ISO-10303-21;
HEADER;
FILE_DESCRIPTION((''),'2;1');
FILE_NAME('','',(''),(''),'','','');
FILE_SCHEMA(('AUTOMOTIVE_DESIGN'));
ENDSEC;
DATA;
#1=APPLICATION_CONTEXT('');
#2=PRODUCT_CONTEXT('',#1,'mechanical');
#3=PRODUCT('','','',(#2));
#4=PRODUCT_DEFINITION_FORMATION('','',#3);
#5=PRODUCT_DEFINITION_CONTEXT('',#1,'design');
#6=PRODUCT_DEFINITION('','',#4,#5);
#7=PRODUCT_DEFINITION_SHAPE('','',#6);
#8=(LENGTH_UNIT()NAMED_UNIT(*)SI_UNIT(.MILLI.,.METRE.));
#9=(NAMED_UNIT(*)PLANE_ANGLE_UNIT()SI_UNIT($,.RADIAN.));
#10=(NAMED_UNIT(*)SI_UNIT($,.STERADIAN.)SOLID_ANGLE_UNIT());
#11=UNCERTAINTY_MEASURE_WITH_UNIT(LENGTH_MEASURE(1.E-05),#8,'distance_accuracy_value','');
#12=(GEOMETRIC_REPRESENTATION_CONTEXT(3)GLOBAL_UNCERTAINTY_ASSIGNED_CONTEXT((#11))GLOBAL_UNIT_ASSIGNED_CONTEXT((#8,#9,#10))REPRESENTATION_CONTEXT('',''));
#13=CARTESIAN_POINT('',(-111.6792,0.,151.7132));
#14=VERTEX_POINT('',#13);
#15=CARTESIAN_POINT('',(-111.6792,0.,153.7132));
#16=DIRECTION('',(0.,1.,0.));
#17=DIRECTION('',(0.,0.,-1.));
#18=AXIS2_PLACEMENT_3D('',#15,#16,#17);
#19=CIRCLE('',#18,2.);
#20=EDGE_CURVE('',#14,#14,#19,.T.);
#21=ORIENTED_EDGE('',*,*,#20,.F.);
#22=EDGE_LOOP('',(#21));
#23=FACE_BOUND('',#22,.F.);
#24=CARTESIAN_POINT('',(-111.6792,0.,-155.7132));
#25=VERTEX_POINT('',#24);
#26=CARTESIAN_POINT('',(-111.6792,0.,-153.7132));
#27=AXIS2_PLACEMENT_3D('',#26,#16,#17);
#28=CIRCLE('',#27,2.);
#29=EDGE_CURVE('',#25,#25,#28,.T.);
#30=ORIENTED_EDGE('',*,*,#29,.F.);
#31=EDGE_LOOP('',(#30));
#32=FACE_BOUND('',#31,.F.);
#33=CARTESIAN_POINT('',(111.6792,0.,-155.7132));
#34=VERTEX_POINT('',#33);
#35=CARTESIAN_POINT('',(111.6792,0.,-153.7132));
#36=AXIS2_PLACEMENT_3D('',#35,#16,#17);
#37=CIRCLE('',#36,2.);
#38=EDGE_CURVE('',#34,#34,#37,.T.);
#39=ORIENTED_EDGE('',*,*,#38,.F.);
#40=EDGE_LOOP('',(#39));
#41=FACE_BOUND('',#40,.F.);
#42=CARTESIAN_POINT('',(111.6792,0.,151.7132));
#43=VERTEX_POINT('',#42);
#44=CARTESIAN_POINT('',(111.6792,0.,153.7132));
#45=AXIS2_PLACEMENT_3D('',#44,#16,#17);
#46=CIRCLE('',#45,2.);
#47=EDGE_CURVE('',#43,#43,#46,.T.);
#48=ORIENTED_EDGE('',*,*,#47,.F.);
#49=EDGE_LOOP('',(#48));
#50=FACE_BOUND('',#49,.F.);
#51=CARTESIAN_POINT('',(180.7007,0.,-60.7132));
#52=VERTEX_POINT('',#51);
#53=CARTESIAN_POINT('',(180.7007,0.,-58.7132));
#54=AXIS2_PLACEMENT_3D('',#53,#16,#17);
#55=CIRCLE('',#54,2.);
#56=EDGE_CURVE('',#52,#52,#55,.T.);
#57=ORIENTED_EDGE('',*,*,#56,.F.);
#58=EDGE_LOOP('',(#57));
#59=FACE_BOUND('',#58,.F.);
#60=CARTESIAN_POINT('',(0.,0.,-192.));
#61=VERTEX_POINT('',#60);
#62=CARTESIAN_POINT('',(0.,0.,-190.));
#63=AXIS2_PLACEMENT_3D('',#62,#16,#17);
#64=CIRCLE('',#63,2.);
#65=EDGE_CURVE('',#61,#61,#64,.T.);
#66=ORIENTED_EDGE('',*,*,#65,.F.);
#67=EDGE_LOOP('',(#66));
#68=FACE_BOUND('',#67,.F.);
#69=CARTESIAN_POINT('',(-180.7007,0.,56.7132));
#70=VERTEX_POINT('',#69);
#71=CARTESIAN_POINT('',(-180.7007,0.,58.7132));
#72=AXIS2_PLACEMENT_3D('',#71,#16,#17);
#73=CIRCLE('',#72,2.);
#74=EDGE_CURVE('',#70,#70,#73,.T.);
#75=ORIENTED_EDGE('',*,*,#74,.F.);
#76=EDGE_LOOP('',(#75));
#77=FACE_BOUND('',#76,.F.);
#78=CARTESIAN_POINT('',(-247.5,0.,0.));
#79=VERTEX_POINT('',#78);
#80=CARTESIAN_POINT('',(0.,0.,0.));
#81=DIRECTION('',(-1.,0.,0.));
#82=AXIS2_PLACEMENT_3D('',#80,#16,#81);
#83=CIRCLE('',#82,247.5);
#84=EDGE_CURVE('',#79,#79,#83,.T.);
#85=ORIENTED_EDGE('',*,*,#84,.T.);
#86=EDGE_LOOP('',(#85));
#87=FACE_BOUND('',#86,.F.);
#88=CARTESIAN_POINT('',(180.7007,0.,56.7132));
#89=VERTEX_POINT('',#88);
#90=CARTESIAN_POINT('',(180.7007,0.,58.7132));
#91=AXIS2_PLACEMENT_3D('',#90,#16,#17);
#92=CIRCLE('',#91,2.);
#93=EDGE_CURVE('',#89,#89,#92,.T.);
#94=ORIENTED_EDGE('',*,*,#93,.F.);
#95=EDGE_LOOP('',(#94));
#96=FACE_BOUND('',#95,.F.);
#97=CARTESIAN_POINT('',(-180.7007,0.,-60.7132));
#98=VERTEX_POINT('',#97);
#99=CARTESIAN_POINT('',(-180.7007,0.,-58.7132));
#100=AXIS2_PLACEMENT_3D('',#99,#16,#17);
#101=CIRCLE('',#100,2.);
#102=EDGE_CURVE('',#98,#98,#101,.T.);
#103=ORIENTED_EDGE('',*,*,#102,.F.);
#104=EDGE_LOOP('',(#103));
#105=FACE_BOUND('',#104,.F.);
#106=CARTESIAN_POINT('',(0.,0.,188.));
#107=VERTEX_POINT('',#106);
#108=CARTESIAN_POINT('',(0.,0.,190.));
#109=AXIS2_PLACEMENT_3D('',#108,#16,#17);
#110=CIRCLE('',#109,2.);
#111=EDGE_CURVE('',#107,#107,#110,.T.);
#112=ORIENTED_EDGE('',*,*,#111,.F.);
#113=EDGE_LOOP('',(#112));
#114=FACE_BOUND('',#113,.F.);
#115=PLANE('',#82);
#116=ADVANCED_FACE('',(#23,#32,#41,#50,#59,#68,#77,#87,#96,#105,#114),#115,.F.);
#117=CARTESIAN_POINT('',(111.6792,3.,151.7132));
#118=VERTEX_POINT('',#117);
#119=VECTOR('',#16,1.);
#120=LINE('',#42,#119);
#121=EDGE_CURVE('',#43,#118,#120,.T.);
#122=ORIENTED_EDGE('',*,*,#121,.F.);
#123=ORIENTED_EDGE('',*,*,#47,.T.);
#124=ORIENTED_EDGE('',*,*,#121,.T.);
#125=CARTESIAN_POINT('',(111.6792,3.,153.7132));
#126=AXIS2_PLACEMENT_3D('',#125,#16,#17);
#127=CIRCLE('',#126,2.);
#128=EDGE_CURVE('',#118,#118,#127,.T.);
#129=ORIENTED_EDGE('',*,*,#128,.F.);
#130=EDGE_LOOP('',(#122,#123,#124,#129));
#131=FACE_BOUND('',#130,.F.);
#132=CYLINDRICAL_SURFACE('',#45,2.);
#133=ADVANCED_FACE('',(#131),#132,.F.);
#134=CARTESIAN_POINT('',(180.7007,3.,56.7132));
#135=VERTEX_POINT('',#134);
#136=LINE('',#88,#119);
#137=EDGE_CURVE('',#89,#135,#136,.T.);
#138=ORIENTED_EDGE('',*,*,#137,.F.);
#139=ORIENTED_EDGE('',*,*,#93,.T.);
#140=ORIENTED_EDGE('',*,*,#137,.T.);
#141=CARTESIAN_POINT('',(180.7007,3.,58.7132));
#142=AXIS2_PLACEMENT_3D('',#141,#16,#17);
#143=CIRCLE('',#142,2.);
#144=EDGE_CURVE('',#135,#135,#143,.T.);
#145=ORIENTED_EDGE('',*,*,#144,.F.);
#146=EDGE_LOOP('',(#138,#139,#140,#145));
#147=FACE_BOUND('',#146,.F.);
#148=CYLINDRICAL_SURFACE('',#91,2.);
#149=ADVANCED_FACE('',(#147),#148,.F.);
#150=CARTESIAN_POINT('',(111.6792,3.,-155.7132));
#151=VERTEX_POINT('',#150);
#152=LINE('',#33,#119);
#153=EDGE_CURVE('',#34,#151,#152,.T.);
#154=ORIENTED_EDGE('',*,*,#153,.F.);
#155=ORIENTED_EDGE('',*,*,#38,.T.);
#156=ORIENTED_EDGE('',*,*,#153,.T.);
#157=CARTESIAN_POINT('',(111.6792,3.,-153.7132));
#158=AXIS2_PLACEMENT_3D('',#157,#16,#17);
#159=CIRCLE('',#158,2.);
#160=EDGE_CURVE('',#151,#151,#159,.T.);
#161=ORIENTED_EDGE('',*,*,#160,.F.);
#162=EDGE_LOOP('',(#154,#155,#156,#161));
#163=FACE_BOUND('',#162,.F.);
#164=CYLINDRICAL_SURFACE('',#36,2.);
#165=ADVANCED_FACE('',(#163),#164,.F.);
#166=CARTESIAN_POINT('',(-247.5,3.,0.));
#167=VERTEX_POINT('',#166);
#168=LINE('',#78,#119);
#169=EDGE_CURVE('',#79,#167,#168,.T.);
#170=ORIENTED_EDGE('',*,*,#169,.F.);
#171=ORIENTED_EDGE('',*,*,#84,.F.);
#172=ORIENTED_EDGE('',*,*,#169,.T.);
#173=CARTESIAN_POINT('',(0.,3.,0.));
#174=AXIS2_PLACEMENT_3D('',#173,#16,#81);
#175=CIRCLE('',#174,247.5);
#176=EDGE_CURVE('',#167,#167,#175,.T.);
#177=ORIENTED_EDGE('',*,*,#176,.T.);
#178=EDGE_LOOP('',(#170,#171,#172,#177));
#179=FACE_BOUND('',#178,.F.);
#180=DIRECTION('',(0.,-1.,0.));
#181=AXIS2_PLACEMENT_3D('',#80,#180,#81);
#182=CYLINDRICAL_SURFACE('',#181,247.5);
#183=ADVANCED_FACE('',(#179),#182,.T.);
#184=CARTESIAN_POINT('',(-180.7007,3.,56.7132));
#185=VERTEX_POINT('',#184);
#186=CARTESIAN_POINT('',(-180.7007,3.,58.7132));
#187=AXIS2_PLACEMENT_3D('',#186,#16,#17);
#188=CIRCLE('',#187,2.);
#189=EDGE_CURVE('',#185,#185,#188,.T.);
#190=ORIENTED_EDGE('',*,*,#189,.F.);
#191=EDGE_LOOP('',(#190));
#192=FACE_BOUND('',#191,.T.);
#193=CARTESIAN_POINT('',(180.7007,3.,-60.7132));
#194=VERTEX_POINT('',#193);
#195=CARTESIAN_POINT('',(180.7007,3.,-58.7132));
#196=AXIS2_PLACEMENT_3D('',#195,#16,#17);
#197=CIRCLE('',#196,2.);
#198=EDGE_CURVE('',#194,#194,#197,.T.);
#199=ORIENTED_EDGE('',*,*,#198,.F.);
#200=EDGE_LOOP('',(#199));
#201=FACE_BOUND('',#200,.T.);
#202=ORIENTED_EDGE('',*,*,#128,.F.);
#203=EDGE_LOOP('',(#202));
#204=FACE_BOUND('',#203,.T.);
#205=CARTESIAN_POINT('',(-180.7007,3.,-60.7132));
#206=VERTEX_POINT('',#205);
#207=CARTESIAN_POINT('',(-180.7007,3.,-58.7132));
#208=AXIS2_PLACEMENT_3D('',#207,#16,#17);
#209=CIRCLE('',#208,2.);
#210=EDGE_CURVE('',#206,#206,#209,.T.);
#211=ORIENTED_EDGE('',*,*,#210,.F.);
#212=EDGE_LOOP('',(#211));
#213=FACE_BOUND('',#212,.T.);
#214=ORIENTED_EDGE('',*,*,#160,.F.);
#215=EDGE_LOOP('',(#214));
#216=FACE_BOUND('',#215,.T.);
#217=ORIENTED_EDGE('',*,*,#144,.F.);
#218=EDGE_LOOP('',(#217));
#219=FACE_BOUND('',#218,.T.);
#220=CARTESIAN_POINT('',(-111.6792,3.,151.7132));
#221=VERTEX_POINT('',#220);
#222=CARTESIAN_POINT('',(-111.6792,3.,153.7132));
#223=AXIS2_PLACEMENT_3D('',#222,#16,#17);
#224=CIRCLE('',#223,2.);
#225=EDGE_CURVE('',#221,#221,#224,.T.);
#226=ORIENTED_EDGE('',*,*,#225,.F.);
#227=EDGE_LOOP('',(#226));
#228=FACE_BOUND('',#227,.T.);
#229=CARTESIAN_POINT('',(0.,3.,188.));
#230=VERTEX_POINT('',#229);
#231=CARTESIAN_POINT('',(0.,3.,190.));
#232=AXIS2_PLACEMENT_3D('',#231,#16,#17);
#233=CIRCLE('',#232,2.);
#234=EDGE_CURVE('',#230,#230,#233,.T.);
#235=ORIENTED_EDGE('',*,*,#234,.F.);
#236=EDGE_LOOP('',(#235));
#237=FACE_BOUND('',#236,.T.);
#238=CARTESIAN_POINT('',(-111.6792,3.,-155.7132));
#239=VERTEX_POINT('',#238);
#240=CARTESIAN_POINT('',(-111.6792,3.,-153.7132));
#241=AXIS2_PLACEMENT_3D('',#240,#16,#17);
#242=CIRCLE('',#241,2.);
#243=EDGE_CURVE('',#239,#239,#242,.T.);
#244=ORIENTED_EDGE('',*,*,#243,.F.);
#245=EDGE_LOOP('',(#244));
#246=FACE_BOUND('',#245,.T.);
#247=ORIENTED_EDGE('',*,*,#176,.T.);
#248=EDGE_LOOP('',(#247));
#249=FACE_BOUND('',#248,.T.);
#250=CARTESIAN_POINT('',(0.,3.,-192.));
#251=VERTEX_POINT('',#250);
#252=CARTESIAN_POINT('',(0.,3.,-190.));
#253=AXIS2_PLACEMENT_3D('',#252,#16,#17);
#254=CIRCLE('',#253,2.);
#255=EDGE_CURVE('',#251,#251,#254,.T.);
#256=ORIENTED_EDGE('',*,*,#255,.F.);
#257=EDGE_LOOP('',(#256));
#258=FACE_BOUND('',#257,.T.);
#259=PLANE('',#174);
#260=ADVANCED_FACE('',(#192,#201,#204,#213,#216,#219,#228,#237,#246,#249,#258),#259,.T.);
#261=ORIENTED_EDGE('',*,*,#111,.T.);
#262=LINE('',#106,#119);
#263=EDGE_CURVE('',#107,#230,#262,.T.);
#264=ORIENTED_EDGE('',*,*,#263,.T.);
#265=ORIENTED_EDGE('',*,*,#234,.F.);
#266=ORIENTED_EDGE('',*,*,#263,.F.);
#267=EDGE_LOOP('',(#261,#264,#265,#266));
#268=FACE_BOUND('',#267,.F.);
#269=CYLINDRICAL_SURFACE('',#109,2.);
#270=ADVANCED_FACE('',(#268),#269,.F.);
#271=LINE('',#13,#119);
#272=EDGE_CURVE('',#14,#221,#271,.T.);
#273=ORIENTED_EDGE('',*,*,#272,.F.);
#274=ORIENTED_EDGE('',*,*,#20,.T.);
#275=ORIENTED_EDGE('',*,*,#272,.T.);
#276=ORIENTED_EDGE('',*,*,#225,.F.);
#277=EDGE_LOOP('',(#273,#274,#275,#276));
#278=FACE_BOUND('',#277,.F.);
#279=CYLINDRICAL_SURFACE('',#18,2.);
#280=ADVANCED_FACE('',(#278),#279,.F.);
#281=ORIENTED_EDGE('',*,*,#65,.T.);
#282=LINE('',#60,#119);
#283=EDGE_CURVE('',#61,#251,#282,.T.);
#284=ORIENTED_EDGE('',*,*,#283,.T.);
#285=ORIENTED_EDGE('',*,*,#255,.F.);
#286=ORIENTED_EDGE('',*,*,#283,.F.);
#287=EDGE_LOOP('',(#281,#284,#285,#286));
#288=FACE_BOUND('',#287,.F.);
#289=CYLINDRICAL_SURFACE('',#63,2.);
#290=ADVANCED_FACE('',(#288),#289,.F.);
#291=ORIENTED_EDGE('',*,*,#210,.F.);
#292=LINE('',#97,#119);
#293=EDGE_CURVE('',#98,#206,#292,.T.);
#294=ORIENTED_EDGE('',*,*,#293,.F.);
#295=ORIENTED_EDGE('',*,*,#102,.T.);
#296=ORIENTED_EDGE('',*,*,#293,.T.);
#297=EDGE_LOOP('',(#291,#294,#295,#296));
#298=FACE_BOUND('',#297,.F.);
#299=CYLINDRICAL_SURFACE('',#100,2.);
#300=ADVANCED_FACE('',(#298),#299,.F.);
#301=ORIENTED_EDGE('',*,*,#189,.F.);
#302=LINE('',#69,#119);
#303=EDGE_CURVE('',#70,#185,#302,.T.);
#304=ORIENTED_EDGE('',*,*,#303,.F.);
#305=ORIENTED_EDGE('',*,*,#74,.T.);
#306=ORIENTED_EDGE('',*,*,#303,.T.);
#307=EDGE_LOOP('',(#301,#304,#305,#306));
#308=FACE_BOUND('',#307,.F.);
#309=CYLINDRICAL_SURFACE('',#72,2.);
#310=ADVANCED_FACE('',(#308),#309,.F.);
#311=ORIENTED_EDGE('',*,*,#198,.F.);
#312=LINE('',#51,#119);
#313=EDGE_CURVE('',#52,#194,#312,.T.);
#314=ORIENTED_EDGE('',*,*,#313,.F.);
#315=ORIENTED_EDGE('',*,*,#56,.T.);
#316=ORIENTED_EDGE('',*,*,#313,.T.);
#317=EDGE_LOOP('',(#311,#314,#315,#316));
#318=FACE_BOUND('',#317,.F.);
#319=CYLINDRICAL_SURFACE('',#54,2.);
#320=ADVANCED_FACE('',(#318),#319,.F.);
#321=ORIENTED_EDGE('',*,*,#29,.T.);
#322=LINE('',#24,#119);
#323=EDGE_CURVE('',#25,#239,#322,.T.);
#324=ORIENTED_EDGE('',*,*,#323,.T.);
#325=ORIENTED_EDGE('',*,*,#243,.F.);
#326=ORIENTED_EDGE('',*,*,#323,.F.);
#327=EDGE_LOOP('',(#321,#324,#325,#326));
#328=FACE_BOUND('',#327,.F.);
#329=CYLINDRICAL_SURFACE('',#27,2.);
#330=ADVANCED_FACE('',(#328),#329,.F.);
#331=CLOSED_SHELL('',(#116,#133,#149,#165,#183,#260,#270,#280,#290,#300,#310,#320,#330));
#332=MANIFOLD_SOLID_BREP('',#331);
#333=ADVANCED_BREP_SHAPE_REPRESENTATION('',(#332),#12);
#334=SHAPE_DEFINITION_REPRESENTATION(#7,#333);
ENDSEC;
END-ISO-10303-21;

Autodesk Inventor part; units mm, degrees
ref_plane "YZ Plane" through (0, 0, 0) normal (1, 0, 0) x (0, 1, 0)
ref_plane "XZ Plane" through (0, 0, 0) normal (0, 1, 0) x (-1, 0, 0)
ref_plane "XY Plane" through (0, 0, 0) normal (0, 0, 1) x (1, 0, 0)
sketch "Skizze1" plane through (0, 0, 0) normal (0, 1, 0) x (-1, 0, 0)
  circle A0 centre (0, 0) radius 247.5
  dimension "d0" = 495
extrude "Extrusion_grundplatte" add sketch "Skizze1" along normal blind 3
sketch "Skizze6" plane through (0, 0, 0) normal (0, -1, 0) x (1, 0, 0)
  circle A0 centre (0, 0) radius 247.5 projected
  line L0 (0, 0) -> (0, 190) construction
  line L1 (0, 0) -> (-111.6792, 153.7132) construction
  line L2 (0, 0) -> (-180.7007, 58.7132) construction
  line L3 (0, 0) -> (-180.7007, -58.7132) construction
  line L4 (0, 0) -> (-111.6792, -153.7132) construction
  line L5 (0, 0) -> (0, -190) construction
  line L6 (0, 0) -> (111.6792, -153.7132) construction
  line L7 (0, 0) -> (180.7007, -58.7132) construction
  line L8 (0, 0) -> (180.7007, 58.7132) construction
  line L9 (0, 0) -> (111.6792, 153.7132) construction
  dimension "d47" = 190
  dimension "d50" = 360
hole "Bohrung_halter_plexiglas" at (0, 0, 190) at (-111.6792, 0, 153.7132) at (-180.7007, 0, 58.7132) at (-180.7007, 0, -58.7132) at (-111.6792, 0, -153.7132) at (0, 0, -190) at (111.6792, 0, -153.7132) at (180.7007, 0, -58.7132) at (180.7007, 0, 58.7132) at (111.6792, 0, 153.7132) direction (0, 1, 0) diameter 4 end through all
properties part number "Plexiglas" material "Plexiglas"
